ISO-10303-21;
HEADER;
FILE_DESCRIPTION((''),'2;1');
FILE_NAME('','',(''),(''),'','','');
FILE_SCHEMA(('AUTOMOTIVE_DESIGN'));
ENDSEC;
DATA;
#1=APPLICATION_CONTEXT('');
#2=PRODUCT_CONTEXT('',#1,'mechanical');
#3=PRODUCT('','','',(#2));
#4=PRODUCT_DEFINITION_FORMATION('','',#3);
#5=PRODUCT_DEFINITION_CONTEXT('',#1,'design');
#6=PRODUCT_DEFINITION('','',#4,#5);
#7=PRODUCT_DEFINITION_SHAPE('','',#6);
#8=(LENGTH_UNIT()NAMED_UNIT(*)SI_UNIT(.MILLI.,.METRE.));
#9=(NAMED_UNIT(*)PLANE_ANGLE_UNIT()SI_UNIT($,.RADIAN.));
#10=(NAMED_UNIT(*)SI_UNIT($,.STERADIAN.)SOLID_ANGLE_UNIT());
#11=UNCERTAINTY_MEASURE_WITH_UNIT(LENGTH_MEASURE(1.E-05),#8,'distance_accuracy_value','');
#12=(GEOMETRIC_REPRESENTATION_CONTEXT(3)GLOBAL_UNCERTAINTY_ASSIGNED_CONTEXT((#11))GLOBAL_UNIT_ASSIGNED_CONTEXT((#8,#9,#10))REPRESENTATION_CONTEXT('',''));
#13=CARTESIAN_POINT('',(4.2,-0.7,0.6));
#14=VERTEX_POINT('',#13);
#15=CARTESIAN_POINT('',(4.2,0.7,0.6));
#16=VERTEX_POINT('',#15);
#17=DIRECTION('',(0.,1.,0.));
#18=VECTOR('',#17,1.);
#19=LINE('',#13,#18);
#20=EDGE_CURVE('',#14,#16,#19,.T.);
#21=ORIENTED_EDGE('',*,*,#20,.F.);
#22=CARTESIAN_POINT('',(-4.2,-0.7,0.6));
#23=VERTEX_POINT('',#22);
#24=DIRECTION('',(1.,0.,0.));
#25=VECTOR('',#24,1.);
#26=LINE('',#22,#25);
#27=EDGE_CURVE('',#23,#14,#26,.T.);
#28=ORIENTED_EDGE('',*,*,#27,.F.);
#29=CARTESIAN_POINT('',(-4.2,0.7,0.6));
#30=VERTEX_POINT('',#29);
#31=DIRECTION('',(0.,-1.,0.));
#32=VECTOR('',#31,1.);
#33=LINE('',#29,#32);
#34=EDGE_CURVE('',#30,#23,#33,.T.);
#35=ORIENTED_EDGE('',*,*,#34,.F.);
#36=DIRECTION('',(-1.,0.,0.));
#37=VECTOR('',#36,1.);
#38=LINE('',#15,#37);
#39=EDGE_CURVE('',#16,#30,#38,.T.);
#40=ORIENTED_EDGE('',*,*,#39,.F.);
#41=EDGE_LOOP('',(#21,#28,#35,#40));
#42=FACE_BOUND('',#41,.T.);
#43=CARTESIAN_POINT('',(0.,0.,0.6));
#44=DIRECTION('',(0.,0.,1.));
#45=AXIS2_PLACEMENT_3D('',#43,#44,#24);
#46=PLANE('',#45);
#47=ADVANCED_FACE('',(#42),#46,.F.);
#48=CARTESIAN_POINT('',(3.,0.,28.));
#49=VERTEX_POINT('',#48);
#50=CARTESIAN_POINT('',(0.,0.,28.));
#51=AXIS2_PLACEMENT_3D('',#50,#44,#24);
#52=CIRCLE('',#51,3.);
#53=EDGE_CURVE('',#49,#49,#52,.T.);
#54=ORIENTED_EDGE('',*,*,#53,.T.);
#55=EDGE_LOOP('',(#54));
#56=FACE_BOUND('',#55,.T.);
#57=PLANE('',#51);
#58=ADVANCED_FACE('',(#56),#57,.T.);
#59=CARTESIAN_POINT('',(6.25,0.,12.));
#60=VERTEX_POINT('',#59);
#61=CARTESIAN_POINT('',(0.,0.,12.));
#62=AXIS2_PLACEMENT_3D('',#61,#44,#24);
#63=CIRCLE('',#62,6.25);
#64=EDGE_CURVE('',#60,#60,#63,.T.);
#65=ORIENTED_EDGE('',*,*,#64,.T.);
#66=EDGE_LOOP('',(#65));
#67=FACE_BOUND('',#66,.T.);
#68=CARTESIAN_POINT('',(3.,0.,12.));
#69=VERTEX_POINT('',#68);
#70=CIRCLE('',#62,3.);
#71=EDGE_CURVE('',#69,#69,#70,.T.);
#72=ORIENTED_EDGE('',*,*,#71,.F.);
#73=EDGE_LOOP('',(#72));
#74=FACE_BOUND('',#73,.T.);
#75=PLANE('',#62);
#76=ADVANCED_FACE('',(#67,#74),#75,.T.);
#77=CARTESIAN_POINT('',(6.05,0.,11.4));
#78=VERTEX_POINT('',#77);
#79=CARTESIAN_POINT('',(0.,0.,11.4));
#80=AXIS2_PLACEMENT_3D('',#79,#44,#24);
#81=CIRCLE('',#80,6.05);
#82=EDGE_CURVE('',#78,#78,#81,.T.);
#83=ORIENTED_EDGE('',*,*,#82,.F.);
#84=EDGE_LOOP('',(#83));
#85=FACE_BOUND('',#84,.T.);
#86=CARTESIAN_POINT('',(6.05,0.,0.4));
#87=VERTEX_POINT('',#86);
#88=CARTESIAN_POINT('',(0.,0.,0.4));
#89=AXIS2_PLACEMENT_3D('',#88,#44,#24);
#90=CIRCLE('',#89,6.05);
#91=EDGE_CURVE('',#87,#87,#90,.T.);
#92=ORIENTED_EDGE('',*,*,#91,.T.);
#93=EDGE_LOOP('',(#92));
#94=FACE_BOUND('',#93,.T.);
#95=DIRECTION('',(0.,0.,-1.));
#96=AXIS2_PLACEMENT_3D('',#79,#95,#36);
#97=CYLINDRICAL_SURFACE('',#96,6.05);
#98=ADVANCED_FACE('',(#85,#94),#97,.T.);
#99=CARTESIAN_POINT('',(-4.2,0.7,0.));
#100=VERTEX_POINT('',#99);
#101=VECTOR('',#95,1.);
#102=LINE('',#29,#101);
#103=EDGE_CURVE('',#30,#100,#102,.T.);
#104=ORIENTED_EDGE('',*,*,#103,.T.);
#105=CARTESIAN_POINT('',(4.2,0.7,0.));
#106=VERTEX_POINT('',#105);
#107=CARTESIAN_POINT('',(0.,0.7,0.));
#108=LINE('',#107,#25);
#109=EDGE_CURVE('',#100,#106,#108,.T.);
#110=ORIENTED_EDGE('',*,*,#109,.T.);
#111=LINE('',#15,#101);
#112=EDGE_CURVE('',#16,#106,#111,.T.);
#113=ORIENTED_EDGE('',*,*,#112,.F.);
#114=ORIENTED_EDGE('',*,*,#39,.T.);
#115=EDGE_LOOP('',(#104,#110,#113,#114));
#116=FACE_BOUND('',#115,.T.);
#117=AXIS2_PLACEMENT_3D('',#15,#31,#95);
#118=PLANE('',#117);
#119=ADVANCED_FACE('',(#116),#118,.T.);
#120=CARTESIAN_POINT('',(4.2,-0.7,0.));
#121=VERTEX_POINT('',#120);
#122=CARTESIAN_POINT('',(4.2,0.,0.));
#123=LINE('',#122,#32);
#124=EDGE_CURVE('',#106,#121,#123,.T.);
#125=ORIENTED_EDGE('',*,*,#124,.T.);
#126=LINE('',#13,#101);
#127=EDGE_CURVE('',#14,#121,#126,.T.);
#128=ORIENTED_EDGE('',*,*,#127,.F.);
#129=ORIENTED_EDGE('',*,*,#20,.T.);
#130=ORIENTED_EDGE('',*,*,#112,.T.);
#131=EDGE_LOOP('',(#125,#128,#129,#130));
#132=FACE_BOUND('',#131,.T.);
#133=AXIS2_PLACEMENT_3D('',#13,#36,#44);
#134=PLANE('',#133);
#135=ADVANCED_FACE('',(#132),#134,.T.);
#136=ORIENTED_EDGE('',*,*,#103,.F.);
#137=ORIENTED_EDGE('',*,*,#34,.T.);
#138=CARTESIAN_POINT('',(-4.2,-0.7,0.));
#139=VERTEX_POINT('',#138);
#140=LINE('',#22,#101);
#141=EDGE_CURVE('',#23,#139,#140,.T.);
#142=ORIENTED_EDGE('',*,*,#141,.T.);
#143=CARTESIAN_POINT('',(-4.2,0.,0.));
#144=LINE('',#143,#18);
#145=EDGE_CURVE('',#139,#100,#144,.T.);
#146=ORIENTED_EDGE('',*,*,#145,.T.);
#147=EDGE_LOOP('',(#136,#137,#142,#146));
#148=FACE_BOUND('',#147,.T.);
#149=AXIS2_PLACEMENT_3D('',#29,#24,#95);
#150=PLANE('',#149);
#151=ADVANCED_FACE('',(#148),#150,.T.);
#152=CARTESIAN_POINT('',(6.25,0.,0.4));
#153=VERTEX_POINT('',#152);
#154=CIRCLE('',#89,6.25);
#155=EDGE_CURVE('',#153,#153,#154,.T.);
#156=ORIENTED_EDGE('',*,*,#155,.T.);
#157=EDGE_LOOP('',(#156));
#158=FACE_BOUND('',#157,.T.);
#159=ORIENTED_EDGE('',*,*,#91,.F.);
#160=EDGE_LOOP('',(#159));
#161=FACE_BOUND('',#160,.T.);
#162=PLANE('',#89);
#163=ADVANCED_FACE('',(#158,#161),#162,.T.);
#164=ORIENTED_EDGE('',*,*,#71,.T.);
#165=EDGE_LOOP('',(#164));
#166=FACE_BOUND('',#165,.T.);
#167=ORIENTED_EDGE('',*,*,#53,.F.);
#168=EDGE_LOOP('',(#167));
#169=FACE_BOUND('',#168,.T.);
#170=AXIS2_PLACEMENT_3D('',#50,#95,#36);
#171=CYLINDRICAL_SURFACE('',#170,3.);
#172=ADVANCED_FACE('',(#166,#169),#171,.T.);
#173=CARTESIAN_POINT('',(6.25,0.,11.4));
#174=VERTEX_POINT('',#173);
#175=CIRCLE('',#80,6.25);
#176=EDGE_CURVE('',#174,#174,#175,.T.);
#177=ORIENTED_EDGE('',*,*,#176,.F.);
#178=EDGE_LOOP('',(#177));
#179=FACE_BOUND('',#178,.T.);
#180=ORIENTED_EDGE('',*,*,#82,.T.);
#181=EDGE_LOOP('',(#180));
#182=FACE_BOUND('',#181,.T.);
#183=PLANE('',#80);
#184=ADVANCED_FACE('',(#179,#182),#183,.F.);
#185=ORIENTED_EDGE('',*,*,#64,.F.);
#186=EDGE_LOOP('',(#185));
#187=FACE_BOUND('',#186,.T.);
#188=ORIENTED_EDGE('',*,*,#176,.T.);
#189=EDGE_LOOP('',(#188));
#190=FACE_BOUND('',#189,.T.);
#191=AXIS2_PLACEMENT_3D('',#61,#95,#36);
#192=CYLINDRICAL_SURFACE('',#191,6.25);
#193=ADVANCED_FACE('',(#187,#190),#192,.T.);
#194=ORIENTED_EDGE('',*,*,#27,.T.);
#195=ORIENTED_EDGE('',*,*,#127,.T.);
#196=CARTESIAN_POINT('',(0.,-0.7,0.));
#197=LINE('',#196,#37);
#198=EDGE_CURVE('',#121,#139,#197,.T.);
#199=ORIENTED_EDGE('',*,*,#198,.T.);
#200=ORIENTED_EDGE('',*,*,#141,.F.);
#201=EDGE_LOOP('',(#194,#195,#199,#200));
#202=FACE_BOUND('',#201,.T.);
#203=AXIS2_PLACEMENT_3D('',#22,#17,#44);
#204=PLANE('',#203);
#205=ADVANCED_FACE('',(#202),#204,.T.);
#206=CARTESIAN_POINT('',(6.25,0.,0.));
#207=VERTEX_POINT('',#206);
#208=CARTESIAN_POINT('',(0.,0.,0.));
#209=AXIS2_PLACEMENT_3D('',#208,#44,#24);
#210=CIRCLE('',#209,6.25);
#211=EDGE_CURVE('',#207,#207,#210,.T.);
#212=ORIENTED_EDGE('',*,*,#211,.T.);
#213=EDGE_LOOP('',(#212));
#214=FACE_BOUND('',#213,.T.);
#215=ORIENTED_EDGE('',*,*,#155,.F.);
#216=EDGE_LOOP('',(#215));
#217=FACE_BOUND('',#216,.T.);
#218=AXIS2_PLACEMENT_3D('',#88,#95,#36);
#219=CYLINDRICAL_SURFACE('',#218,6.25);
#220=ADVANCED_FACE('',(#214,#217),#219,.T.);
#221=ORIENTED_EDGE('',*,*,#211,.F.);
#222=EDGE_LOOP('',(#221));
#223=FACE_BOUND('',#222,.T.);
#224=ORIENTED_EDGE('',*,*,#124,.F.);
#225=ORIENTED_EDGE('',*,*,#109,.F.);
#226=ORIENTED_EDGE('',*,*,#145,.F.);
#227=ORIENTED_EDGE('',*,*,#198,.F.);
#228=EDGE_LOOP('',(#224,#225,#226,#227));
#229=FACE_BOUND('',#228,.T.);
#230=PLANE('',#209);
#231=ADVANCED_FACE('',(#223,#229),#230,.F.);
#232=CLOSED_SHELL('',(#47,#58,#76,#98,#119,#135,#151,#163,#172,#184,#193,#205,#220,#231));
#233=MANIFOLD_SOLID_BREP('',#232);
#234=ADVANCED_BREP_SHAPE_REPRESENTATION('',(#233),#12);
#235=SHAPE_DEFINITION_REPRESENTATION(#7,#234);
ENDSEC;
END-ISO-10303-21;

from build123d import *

# Parameters (mm, degrees)
S01_RETAINING_FLANGE_R                         = 6.25
F_01_RETAINING_FLANGE_DEPTH                    = 0.4
F_02_START                                     = 0.4
S02_INNER_RACE_AND_SEALED_ROLLING_ASSE_R       = 6.05
F_02_INNER_RACE_AND_SEALED_ROLLING_ASSEM_DEPTH = 11
F_03_START                                     = 11.4
S03_MOUNTING_THRUST_FACE_R                     = 6.25
F_03_MOUNTING_THRUST_FACE_DEPTH                = 0.6
F_04_START                                     = 12
S04_SIX_MILLIMETRE_STUD_WITH_FINAL_8_M_R       = 3
F_04_SIX_MILLIMETRE_STUD_WITH_FINAL_8_MM_DEPTH = 16
F_05_START                                     = -0.1
S05_ASSEMBLY_DRIVE_SLOT_W                      = 8.4
S05_ASSEMBLY_DRIVE_SLOT_H                      = 1.4
F_05_ASSEMBLY_DRIVE_SLOT_DEPTH                 = 0.7


with BuildPart() as part:
    # S01 - Retaining flange → 01 - Retaining flange (new body)
    with BuildSketch(Plane.XY):
        Circle(S01_RETAINING_FLANGE_R)
    extrude(amount=F_01_RETAINING_FLANGE_DEPTH)

    # S02 - Inner race and sealed rolling assembly envelope → 02 - Inner race and sealed rolling assembly envelope (add)
    with BuildSketch(Plane.XY.offset(F_02_START)):
        Circle(S02_INNER_RACE_AND_SEALED_ROLLING_ASSE_R)
    extrude(amount=F_02_INNER_RACE_AND_SEALED_ROLLING_ASSEM_DEPTH)

    # S03 - Mounting thrust face → 03 - Mounting thrust face (add)
    with BuildSketch(Plane.XY.offset(F_03_START)):
        Circle(S03_MOUNTING_THRUST_FACE_R)
    extrude(amount=F_03_MOUNTING_THRUST_FACE_DEPTH)

    # S04 - Six millimetre stud with final 8 mm M6 thread envelope → 04 - Six millimetre stud with final 8 mm M6 thread envelope (add)
    with BuildSketch(Plane.XY.offset(F_04_START)):
        Circle(S04_SIX_MILLIMETRE_STUD_WITH_FINAL_8_M_R)
    extrude(amount=F_04_SIX_MILLIMETRE_STUD_WITH_FINAL_8_MM_DEPTH)

    # S05 - Assembly drive slot → 05 - Assembly drive slot (cut)
    with BuildSketch(Plane.XY.offset(F_05_START)):
        Rectangle(S05_ASSEMBLY_DRIVE_SLOT_W, S05_ASSEMBLY_DRIVE_SLOT_H)
    extrude(amount=F_05_ASSEMBLY_DRIVE_SLOT_DEPTH, mode=Mode.SUBTRACT)


solid = part.part
